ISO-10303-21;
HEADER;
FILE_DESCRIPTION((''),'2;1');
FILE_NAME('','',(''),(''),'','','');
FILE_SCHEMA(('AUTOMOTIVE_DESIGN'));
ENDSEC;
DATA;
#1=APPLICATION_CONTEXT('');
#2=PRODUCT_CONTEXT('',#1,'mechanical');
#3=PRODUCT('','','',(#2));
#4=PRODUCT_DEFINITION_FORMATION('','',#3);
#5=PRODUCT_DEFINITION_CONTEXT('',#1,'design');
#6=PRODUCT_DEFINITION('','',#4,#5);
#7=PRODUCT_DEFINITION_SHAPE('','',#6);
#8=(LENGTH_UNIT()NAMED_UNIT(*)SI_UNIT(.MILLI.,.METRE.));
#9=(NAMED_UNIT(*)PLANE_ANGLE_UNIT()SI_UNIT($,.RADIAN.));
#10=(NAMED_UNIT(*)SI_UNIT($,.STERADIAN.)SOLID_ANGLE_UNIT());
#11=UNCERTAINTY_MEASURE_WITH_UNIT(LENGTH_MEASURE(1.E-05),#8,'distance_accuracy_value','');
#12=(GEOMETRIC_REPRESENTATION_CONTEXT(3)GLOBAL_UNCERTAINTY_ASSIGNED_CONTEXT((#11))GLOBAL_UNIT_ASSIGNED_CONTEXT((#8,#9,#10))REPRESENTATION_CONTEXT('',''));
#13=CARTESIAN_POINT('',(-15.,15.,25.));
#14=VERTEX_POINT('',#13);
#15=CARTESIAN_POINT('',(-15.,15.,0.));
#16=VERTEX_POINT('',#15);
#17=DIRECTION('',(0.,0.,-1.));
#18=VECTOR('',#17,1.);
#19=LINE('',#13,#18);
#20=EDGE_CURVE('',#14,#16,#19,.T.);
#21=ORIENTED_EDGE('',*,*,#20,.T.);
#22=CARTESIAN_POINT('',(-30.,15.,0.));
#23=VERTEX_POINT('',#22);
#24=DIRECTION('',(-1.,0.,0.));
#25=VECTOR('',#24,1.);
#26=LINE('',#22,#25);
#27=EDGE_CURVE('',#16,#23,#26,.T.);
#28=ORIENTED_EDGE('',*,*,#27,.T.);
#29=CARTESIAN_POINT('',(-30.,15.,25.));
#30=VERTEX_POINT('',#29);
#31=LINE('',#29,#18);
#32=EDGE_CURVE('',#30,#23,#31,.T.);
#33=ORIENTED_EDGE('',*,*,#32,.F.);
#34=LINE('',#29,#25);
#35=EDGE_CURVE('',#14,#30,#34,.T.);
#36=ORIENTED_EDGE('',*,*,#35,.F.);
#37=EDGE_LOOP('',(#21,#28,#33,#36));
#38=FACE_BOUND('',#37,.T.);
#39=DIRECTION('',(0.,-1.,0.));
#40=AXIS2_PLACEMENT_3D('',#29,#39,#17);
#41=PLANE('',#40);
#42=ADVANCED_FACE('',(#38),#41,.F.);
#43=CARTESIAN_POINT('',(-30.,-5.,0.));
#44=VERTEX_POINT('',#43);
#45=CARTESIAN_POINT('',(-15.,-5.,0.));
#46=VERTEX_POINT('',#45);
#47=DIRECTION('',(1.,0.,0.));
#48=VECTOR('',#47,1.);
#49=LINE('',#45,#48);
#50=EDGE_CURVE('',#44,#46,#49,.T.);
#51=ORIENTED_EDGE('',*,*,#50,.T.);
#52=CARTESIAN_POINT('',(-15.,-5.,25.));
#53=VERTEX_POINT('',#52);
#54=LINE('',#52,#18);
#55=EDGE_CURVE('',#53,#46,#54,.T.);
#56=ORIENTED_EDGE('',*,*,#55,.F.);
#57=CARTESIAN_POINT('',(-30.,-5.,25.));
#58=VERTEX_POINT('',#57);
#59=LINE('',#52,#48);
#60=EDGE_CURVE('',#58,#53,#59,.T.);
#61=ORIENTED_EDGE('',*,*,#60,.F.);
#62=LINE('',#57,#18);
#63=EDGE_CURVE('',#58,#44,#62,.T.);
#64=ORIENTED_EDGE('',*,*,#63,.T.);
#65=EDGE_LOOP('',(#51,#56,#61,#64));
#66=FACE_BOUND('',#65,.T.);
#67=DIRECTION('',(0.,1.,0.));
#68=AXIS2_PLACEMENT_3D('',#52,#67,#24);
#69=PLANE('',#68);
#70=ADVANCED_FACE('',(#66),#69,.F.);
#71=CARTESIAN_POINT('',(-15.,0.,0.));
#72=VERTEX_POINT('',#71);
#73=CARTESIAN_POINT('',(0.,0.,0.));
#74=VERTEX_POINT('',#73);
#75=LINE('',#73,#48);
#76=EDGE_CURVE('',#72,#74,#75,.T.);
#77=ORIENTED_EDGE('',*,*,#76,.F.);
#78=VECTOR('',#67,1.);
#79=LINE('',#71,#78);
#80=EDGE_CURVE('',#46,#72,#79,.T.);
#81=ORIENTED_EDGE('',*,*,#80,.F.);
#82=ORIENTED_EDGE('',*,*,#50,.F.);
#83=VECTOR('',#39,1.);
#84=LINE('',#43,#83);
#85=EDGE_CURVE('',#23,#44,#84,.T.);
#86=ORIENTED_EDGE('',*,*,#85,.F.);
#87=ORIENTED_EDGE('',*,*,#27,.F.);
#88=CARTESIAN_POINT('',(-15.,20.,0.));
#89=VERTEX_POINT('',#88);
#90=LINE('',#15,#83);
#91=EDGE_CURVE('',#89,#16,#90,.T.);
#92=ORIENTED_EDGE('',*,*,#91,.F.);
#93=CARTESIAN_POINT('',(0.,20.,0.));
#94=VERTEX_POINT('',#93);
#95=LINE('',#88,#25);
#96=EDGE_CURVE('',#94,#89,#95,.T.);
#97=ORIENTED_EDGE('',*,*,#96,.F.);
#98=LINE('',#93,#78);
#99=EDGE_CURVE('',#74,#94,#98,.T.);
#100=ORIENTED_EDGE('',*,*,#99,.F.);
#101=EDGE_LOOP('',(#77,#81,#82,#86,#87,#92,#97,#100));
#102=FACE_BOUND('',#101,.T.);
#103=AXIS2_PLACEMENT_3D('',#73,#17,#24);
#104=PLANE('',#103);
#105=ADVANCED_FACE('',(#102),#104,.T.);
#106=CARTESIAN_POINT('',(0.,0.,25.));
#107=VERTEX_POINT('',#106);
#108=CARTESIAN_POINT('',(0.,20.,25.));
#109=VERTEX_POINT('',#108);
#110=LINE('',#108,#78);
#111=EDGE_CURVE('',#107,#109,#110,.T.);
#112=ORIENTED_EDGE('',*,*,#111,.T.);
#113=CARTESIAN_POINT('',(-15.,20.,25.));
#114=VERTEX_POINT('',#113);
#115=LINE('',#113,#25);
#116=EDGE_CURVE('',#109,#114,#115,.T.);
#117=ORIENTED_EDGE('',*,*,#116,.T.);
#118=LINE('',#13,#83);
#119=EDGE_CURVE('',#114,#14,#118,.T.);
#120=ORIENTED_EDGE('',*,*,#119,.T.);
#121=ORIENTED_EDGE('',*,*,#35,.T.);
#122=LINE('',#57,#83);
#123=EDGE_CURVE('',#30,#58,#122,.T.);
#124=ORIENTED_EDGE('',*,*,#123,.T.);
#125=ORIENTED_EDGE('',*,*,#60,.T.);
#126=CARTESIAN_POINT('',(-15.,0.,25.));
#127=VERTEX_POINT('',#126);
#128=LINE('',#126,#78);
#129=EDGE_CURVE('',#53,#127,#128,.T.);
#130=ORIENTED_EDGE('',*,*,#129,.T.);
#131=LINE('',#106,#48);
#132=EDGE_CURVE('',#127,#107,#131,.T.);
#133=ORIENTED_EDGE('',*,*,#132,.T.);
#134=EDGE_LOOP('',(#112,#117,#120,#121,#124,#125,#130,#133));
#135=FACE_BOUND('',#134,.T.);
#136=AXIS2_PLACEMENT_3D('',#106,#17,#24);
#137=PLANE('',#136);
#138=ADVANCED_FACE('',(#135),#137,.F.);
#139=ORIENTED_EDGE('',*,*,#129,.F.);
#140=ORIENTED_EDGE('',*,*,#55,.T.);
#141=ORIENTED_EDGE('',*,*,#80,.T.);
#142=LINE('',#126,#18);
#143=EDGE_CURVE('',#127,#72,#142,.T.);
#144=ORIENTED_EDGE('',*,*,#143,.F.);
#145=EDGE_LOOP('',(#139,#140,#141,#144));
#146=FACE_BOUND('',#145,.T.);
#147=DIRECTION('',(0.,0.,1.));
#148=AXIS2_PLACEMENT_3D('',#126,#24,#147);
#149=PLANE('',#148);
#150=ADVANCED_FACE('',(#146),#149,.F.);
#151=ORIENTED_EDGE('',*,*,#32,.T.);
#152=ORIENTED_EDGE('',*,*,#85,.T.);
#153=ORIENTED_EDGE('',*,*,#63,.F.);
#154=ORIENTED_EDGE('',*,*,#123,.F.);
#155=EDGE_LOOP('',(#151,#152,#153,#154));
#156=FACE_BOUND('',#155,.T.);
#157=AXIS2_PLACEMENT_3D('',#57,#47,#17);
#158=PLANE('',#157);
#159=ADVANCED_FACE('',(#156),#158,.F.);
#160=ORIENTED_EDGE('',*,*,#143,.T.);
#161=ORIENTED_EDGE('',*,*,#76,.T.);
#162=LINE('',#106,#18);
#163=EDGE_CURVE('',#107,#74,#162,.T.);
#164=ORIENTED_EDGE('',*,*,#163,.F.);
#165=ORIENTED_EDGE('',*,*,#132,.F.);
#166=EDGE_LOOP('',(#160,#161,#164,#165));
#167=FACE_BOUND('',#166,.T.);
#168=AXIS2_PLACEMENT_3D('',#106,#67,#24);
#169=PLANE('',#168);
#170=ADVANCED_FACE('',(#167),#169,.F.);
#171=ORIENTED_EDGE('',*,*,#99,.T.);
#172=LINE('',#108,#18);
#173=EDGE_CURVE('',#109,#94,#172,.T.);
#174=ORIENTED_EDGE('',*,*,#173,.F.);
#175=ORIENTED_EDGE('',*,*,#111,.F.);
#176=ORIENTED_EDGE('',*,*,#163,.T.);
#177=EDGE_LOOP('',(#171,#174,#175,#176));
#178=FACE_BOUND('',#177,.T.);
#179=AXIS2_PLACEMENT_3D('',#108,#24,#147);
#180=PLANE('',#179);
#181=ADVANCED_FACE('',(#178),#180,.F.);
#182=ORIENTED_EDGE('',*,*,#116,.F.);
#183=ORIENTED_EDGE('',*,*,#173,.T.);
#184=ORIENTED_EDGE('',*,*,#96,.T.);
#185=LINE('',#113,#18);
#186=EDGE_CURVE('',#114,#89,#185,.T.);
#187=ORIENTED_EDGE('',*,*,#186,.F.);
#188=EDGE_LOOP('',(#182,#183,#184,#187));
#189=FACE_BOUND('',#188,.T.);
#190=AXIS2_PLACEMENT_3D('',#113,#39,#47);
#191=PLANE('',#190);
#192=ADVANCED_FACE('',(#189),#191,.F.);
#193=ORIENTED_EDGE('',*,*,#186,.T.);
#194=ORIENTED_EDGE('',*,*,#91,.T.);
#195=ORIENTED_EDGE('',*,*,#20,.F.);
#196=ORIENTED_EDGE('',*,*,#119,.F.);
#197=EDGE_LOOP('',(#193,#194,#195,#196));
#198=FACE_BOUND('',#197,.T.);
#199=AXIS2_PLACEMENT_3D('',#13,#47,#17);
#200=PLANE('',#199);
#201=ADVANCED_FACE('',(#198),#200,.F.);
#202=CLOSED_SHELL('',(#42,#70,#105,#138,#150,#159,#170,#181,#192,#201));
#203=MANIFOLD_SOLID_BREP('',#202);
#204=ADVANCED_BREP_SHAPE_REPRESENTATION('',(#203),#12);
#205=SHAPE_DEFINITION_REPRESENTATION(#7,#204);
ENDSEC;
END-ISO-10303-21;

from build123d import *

# Parameters (mm, degrees)
BOSS_EXTRUDE1_DEPTH = 25


with BuildPart() as part:
    # Sketch1 → Boss-Extrude1 (new body)
    with BuildSketch(Plane.XY):
        Polygon((-30, 15), (-15, 15), (-15, 20), (0, 20), (0, 0), (-15, 0), (-15, -5), (-30, -5), align=None)
    extrude(amount=BOSS_EXTRUDE1_DEPTH)


solid = part.part
